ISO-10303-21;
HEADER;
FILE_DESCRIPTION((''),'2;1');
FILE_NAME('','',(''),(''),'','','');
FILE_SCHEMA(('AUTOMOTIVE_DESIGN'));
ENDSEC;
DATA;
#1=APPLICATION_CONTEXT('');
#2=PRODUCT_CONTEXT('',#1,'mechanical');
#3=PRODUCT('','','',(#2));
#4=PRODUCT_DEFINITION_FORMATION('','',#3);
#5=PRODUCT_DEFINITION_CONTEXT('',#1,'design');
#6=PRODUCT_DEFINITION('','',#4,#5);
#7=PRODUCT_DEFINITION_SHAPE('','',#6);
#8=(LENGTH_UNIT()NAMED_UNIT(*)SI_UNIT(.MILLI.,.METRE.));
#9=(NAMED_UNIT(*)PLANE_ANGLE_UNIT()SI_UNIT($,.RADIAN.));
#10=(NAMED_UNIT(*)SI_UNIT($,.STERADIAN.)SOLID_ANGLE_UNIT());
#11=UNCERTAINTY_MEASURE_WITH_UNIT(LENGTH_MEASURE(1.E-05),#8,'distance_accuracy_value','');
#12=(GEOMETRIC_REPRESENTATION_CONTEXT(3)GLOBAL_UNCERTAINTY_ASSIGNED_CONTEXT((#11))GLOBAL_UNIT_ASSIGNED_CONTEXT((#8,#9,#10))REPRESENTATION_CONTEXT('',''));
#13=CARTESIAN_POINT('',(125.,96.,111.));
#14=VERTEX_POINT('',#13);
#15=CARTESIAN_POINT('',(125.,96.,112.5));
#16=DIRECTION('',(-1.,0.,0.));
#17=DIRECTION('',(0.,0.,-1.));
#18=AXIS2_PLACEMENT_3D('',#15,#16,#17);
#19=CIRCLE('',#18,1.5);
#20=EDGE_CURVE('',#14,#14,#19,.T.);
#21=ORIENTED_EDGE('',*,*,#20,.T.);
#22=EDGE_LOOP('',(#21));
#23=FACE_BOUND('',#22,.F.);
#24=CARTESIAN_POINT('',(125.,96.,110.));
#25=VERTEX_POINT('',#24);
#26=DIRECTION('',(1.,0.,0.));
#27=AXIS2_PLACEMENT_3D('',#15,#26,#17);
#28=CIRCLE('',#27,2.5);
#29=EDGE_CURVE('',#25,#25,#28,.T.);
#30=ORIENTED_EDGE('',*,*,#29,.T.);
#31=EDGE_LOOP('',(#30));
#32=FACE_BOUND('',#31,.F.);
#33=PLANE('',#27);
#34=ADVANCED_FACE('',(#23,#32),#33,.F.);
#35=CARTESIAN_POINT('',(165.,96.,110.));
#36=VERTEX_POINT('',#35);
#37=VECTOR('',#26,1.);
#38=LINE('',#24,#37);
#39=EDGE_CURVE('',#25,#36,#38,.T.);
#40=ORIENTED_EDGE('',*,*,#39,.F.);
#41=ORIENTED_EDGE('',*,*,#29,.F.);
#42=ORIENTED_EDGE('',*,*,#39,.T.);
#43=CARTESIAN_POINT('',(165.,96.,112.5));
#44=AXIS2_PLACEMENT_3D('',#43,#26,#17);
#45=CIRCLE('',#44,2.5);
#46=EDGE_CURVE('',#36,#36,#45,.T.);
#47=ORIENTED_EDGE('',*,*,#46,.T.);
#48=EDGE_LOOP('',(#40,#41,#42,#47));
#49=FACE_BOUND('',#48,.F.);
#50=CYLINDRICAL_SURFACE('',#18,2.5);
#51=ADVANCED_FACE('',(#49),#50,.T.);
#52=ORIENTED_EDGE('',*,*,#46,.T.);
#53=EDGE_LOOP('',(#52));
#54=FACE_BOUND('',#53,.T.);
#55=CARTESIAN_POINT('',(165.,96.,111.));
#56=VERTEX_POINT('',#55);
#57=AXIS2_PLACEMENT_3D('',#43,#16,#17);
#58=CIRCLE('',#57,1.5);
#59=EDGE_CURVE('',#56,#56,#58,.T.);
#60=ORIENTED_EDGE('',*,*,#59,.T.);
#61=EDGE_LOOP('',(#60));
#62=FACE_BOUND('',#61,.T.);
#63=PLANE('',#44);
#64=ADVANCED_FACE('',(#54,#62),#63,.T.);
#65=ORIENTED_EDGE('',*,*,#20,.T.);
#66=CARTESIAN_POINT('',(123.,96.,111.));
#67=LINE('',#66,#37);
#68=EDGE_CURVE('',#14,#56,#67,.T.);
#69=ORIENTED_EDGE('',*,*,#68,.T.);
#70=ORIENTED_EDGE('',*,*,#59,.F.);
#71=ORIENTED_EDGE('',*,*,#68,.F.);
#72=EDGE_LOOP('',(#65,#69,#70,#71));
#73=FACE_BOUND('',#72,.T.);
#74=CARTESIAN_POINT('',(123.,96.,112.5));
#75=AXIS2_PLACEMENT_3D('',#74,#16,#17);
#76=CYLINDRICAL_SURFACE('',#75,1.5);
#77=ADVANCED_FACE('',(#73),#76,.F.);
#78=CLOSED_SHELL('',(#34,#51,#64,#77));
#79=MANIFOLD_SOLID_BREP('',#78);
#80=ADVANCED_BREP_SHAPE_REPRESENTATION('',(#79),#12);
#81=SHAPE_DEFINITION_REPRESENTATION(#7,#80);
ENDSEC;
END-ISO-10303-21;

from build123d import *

# Parameters (mm, degrees)
CYLINDER007_R           = 1.5
CYLINDER007_DEPTH       = 44
CYLINDER007_PITCH_ANGLE = 90
CYLINDER006_R           = 2.5
CYLINDER006_DEPTH       = 40
CYLINDER006_PITCH_ANGLE = 90


with BuildPart() as cilindro007:
    # Cylinder007 → Cylinder007 (new body)
    with BuildSketch(Plane.XY):
        Circle(CYLINDER007_R)
    extrude(amount=CYLINDER007_DEPTH)


with BuildPart() as cilindro007_1:
    # Cylinder007 pitch: moved
    add(cilindro007.part.rotate(Axis((0, 0, 0), (0, 1, 0)), CYLINDER007_PITCH_ANGLE))


with BuildPart() as cilindro007_2:
    # Cylinder007 placement: moved
    add(cilindro007_1.part.moved(Location((-2, 0, 0))))


with BuildPart() as soporte4:
    # Cylinder006 → Cylinder006 (new body)
    with BuildSketch(Plane.XY):
        Circle(CYLINDER006_R)
    extrude(amount=CYLINDER006_DEPTH)


with BuildPart() as soporte4_1:
    # Cylinder006 pitch: moved
    add(soporte4.part.rotate(Axis((0, 0, 0), (0, 1, 0)), CYLINDER006_PITCH_ANGLE))


with BuildPart() as soporte4_2:
    # Cylinder006 placement: moved
    add(soporte4_1.part)

    # Cut003: cut Cilindro007
    add(cilindro007_2.part, mode=Mode.SUBTRACT)


with BuildPart() as soporte4_3:
    # Cut003 placement: moved
    add(soporte4_2.part.moved(Location((125, 96, 112.5))))


solid = soporte4_3.part
